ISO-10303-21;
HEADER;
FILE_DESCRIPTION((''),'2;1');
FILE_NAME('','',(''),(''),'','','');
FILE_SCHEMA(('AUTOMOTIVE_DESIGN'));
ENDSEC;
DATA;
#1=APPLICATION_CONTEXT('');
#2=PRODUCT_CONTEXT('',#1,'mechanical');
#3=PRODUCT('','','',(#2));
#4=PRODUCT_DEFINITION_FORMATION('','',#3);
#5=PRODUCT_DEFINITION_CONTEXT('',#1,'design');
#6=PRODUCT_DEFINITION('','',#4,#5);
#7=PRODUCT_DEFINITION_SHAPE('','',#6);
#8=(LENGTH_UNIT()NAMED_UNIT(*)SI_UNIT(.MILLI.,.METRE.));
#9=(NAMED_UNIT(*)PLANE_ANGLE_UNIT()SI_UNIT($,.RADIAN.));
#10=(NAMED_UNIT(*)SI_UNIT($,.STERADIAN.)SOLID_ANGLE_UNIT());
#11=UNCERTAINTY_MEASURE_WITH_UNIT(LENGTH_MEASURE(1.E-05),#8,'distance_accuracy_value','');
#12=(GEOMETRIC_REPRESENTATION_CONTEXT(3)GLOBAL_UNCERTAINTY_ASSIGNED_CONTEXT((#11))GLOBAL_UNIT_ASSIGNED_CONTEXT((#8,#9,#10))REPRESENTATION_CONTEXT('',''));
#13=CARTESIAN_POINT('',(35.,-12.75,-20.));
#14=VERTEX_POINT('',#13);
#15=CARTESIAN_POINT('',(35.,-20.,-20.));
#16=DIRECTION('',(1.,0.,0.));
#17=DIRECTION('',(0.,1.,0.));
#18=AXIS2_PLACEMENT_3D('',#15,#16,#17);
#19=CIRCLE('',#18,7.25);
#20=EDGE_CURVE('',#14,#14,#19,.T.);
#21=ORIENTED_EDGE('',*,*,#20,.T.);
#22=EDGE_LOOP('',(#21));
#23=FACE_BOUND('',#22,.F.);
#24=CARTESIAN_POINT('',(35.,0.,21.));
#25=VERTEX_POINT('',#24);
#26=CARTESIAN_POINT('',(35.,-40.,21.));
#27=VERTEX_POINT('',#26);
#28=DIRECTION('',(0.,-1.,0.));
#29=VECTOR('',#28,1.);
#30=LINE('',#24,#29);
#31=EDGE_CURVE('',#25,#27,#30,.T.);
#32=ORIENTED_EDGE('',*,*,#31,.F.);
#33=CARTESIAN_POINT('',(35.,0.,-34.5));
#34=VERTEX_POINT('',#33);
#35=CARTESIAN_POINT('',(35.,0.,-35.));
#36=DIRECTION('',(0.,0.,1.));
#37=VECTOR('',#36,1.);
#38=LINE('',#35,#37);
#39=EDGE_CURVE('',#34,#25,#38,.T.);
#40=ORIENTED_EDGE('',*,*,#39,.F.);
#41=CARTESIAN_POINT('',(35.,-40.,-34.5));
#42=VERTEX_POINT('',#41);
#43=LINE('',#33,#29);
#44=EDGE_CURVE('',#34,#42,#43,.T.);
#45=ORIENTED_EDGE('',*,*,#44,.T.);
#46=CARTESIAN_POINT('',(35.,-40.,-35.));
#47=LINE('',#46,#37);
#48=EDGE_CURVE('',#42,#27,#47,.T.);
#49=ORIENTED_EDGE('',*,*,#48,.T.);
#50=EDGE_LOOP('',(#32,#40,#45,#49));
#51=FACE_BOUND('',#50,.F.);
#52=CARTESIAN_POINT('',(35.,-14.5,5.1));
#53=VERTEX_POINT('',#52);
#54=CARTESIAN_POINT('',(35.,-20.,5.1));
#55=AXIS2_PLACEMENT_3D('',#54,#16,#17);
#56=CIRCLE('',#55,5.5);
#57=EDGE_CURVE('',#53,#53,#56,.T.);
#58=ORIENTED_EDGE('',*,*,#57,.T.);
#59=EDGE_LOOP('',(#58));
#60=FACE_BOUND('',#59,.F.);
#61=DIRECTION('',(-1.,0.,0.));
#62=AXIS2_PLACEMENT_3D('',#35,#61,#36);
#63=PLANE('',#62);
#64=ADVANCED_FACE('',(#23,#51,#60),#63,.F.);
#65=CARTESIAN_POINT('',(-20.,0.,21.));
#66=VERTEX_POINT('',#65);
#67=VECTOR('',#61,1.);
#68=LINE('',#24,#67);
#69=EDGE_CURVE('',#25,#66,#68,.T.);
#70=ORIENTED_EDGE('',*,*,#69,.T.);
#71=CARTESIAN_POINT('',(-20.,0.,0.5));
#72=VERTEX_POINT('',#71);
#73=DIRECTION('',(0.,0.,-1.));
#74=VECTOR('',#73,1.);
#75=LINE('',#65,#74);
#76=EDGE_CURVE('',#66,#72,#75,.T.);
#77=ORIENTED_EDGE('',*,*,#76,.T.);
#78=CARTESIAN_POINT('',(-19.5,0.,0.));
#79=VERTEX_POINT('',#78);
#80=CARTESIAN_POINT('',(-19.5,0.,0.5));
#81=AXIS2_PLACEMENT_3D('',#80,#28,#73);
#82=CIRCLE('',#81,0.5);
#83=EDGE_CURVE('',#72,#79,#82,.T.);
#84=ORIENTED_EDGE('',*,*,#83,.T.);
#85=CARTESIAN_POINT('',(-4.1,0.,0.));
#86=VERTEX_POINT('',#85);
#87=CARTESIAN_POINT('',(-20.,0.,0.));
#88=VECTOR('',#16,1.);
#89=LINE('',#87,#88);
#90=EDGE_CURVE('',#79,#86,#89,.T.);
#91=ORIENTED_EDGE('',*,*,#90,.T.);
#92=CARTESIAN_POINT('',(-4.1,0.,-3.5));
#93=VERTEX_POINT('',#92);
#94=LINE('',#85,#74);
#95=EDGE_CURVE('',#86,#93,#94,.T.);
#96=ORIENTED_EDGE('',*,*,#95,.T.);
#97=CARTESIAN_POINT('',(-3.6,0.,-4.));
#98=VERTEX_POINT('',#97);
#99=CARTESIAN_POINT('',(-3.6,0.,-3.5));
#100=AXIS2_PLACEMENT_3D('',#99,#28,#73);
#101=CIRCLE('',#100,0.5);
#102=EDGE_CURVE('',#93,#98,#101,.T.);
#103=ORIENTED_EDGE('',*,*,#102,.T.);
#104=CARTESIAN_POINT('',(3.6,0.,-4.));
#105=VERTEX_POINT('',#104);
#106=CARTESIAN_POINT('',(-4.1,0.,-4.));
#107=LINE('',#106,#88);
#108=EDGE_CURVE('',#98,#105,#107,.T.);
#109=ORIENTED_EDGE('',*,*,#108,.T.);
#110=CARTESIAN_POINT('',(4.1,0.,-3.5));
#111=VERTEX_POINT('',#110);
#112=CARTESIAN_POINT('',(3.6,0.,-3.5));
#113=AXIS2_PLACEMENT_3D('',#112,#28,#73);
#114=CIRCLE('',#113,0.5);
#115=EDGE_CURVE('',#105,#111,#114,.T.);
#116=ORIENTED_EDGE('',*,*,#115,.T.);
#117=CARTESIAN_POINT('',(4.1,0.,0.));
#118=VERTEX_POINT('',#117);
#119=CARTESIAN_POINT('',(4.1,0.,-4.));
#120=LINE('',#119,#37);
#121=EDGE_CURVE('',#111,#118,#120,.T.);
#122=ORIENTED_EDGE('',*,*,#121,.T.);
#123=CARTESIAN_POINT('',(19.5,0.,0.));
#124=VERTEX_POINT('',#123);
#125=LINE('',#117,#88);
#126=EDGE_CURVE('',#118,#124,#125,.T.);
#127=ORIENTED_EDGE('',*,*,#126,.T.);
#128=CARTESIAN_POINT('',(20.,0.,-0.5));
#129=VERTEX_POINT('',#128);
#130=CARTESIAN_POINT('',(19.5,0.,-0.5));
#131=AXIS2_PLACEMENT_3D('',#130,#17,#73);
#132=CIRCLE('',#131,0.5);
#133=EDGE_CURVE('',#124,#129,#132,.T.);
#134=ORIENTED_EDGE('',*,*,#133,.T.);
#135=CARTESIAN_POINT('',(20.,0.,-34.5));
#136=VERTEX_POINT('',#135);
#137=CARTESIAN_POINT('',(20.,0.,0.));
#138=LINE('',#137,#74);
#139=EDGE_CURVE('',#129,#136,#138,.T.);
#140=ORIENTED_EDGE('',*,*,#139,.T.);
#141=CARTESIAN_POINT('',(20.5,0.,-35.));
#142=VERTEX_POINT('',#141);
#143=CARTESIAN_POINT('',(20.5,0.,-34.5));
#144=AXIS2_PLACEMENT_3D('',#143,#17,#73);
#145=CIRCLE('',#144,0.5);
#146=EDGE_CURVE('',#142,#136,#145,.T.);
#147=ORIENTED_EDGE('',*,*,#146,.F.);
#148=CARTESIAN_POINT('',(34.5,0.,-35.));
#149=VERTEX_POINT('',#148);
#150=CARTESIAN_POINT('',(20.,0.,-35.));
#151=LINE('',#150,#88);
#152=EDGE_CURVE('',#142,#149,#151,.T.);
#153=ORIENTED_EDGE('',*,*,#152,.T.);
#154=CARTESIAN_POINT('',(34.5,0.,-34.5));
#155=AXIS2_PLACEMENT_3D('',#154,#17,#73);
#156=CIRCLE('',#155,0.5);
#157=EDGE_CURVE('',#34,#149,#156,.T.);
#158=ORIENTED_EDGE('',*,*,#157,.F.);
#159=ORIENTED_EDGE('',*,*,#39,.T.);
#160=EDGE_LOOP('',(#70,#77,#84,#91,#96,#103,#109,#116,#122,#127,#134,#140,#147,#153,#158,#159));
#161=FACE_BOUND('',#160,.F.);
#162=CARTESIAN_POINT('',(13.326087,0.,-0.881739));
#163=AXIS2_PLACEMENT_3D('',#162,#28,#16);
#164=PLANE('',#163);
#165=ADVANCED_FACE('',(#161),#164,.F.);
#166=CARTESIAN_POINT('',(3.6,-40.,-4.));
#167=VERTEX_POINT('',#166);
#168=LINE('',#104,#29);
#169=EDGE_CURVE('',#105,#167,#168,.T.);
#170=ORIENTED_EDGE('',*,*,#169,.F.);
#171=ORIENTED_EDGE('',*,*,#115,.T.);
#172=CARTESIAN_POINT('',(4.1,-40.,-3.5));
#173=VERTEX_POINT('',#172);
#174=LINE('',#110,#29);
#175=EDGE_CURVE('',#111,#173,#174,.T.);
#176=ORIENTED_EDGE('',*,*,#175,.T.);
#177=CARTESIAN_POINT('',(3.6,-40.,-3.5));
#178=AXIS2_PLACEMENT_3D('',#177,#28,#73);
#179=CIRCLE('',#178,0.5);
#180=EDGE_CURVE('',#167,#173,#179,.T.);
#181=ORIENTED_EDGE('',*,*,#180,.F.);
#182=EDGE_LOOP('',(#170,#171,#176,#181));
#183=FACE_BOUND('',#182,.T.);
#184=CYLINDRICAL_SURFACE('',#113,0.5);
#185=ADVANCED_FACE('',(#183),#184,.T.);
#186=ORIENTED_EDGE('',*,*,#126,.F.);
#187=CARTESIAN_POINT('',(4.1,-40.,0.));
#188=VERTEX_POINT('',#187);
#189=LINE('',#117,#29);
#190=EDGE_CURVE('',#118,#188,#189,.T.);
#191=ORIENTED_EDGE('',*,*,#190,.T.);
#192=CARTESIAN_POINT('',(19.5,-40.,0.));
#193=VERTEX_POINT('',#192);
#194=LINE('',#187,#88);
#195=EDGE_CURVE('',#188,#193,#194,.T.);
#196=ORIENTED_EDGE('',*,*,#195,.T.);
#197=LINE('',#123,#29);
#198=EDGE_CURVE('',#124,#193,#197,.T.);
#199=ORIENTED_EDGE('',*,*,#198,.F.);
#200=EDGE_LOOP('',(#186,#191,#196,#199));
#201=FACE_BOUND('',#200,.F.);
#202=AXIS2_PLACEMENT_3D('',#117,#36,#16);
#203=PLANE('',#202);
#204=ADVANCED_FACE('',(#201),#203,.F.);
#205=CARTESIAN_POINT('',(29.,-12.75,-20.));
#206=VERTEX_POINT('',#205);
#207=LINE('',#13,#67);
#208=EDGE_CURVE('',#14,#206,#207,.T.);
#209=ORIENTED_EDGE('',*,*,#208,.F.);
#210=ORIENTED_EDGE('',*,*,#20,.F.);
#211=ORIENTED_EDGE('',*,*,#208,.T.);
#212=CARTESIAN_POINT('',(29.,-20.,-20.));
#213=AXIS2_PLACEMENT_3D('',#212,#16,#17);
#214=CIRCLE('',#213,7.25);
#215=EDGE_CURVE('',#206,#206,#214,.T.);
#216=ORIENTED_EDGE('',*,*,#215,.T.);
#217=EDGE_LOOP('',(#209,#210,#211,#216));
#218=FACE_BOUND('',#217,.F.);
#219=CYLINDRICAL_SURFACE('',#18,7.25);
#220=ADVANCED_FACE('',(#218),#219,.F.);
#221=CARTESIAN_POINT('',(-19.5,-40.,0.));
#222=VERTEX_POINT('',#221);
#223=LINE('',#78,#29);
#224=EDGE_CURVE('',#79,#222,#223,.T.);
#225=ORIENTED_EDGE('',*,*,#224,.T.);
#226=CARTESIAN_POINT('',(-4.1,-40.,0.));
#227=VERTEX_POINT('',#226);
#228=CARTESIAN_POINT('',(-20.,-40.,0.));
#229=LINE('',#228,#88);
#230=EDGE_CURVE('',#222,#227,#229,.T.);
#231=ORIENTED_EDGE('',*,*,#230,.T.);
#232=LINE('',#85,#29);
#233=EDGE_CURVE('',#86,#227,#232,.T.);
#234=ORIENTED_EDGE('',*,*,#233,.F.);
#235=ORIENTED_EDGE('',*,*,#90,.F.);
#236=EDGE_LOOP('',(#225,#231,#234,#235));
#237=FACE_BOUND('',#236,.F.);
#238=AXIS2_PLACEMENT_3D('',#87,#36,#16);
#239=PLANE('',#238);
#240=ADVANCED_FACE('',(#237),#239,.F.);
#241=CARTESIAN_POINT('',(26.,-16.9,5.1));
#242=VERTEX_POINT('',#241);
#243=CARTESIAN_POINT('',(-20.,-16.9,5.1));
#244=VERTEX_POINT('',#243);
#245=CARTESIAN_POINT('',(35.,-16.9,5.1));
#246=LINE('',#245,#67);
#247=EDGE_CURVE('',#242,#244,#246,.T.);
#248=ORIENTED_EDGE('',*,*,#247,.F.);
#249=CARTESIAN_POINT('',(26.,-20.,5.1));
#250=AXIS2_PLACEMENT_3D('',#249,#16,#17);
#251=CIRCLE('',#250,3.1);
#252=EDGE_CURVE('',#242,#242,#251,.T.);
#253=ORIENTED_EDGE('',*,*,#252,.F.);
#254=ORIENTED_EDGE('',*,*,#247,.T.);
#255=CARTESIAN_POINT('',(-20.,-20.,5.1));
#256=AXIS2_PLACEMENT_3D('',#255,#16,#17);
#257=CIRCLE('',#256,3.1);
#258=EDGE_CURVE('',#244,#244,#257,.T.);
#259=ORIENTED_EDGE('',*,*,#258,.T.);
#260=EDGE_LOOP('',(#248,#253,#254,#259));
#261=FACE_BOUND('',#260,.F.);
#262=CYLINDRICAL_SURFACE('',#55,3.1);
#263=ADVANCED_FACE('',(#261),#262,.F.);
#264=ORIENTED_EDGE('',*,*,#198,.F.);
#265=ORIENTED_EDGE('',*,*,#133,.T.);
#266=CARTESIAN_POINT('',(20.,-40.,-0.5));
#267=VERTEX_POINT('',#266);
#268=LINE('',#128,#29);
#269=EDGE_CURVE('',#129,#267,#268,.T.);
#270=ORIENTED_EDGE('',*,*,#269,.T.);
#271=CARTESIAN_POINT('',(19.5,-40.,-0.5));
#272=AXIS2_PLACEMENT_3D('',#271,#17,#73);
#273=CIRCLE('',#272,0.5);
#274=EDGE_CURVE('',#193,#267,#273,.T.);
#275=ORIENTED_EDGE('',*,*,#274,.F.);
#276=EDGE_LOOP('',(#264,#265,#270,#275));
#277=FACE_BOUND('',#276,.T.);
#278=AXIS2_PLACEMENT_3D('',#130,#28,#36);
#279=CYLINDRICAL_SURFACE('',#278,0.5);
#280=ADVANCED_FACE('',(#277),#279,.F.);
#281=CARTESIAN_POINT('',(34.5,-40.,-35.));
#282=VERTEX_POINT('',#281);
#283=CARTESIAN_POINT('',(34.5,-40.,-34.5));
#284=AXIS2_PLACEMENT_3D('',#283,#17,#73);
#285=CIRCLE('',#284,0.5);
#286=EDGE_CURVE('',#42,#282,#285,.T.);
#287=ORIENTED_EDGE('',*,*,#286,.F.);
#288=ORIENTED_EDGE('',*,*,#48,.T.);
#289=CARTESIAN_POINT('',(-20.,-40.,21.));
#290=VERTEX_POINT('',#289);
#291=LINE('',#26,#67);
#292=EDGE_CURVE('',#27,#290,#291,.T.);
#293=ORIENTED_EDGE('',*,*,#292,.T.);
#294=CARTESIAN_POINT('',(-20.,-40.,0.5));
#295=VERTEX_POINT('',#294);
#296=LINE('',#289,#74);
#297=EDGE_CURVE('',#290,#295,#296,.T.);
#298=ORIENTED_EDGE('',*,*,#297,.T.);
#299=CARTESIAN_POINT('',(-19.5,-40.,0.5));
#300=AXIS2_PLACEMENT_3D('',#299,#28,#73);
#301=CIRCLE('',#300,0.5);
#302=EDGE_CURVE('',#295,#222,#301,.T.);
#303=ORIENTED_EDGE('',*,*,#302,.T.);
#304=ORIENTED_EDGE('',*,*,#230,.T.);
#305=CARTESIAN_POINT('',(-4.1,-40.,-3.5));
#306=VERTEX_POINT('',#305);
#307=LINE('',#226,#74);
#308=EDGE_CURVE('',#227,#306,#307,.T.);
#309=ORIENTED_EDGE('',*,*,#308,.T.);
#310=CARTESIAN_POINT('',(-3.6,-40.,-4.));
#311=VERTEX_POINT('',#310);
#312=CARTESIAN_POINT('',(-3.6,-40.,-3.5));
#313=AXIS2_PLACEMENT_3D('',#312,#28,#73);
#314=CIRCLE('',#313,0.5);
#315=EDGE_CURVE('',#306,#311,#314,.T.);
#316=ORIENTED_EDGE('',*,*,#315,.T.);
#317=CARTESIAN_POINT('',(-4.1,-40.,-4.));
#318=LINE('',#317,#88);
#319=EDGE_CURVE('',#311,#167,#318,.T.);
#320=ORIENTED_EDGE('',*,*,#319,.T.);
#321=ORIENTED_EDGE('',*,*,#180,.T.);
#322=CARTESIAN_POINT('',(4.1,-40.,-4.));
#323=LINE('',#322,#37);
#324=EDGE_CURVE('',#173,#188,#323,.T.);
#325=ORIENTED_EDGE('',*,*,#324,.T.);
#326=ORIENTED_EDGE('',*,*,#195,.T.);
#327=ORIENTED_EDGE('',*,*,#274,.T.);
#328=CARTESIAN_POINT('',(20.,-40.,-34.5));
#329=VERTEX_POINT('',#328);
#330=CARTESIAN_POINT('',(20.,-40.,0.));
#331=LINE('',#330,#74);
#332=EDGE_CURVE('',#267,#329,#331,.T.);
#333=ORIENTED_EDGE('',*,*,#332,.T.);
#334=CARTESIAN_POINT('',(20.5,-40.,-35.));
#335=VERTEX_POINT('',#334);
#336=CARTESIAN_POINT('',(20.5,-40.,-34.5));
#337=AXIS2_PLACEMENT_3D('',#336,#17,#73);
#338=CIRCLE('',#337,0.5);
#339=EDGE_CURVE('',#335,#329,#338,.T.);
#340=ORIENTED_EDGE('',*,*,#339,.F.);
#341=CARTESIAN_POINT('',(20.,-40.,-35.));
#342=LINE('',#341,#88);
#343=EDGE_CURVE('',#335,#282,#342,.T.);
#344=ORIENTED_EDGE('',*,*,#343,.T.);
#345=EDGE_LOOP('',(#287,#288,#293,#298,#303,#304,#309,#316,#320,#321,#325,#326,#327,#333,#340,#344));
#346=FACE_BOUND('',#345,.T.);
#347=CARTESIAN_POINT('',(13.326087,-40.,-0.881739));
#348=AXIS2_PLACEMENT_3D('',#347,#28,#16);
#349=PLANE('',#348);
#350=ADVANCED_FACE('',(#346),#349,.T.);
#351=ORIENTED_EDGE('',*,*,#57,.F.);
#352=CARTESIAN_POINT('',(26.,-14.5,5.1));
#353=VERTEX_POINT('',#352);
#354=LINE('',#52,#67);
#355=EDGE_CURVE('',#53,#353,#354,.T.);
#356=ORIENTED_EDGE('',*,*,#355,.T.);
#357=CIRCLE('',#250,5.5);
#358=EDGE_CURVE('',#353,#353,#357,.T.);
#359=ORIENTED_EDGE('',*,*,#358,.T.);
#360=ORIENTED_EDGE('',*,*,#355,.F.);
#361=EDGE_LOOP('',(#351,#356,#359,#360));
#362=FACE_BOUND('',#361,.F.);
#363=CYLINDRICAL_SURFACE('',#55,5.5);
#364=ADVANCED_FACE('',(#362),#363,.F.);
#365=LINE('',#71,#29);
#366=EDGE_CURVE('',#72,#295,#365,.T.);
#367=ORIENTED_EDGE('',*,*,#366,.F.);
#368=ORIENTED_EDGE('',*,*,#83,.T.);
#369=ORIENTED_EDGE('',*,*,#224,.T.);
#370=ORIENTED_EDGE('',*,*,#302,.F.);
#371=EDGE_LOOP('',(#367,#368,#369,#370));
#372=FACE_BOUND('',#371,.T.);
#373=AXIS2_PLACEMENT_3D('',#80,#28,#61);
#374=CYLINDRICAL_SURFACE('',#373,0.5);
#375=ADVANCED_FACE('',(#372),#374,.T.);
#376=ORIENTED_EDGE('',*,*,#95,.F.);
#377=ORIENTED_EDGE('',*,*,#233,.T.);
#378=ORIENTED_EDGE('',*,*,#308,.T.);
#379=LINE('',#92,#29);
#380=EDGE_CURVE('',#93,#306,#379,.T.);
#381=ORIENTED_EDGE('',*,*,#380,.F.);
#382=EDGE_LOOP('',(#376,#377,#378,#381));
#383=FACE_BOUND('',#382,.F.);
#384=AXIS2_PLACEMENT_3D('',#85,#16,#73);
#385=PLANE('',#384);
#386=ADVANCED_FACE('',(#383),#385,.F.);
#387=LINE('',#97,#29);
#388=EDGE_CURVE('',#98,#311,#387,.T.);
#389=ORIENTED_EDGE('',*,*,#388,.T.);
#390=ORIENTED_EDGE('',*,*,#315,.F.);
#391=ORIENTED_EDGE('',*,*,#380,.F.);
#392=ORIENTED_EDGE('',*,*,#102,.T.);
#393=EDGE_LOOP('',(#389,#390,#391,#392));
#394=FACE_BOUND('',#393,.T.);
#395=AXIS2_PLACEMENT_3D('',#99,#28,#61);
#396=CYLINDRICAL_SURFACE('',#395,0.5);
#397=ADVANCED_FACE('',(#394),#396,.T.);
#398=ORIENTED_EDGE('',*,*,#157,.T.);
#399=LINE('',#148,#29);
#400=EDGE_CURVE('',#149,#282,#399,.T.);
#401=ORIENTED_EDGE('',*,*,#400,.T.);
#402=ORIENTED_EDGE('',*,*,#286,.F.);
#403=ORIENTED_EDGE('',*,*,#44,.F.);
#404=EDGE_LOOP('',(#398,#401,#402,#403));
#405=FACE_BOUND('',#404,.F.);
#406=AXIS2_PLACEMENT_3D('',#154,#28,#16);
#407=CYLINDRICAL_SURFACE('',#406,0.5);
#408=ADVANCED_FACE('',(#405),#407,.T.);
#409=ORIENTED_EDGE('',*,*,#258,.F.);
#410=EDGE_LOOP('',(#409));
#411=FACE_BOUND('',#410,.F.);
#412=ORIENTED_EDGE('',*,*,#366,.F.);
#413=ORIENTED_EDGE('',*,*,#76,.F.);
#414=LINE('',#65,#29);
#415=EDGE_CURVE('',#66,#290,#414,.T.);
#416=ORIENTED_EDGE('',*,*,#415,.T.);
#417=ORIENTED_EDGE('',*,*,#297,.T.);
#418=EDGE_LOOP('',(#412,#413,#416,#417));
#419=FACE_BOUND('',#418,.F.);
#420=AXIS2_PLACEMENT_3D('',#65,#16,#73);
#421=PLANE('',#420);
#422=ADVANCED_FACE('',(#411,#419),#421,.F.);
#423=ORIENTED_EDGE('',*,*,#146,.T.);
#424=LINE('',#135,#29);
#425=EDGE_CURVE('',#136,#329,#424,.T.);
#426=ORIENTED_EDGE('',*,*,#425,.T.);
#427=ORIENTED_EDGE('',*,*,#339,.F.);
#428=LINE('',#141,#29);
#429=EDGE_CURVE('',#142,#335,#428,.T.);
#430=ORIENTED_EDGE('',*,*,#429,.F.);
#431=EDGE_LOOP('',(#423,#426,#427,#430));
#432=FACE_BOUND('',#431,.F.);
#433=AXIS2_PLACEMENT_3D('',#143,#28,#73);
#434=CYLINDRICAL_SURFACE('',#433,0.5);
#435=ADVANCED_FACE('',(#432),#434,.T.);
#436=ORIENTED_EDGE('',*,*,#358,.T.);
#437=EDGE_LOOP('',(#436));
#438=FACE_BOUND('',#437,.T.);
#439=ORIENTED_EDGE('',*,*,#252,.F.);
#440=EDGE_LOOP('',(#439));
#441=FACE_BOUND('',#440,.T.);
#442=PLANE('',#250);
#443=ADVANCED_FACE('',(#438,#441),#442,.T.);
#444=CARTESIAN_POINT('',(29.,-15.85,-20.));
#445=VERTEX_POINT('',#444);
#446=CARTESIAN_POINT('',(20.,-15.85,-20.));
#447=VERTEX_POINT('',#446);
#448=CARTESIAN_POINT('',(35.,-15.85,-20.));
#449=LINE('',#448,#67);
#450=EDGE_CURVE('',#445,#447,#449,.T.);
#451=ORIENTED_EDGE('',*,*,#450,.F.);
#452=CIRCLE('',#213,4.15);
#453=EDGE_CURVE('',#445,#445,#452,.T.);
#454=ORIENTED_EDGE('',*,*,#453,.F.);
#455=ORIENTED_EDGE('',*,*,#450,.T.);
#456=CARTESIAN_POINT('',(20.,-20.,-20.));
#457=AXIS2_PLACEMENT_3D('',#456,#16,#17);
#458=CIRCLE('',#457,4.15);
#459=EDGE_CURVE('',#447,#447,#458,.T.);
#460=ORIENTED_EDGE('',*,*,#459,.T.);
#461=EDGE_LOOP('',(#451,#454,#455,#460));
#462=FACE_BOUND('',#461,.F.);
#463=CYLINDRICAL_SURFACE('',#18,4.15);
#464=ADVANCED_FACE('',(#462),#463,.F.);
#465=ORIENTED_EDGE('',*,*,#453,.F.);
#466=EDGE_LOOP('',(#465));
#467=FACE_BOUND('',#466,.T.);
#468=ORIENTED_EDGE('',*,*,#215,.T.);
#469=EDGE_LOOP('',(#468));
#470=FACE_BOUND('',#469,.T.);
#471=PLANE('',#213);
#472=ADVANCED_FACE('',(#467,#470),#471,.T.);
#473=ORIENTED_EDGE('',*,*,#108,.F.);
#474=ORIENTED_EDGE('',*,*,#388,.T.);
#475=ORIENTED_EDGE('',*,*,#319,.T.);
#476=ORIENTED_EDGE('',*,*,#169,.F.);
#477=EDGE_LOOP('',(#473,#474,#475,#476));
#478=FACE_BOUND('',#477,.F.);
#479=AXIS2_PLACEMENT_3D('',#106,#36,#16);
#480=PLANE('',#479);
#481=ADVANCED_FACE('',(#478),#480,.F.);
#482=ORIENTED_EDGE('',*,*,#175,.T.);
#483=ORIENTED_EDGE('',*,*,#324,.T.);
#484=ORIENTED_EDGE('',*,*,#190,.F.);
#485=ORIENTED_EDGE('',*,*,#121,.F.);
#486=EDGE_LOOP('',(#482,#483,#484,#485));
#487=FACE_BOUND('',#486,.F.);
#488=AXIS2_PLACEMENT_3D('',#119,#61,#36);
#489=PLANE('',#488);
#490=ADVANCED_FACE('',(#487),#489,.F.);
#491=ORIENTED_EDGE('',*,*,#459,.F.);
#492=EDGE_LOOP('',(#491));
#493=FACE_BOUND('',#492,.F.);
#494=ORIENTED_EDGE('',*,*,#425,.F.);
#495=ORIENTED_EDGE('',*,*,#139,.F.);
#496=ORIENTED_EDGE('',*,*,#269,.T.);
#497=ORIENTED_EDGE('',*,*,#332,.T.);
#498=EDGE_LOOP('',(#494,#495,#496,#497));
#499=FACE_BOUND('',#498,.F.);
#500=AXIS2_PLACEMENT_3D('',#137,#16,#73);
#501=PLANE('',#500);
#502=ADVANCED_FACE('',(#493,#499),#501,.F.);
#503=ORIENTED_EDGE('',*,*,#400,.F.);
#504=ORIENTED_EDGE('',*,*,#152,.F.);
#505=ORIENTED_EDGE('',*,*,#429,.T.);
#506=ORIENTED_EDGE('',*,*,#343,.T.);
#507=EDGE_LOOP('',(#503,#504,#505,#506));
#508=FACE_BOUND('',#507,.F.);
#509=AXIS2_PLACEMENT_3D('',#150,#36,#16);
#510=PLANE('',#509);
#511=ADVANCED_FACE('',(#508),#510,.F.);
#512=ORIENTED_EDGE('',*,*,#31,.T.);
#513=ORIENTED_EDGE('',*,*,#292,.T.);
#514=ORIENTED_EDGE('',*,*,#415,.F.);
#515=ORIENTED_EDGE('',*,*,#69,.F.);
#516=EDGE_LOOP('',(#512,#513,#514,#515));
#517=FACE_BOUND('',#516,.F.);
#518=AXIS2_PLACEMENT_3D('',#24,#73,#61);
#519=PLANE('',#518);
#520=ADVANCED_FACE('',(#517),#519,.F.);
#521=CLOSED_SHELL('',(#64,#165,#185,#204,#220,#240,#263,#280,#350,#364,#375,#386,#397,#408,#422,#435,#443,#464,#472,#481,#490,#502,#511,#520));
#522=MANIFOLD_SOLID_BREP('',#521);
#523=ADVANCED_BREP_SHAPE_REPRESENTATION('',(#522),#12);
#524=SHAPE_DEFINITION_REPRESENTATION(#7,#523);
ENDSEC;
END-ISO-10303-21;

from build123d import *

# Parameters (mm, degrees)
F1_DEPTH = 40
F2_R     = 4.15
F2_R_2   = 3.1
F3_DEPTH = 55.001
F4_R     = 0.5
F2_R_3   = 7.25
F5_DEPTH = 6
F2_R_4   = 5.5
F6_DEPTH = 9


with BuildPart() as f1:
    # F0 (on Front) → F1 (new body)
    with BuildSketch(Plane.XZ):
        Polygon((35, 21), (-20, 21), (-20, 0), (-4.1, 0), (-4.1, -4), (4.1, -4), (4.1, 0), (20, 0), (20, -35), (35, -35), align=None)
    extrude(amount=F1_DEPTH)

    # F2 (on face) → F3 (cut, through all)
    with BuildSketch(Plane.YZ.offset(35)):
        with Locations((-20, -20)):
            Circle(F2_R)
        with Locations((-20, 5.1)):
            Circle(F2_R_2)
    extrude(amount=-F3_DEPTH, mode=Mode.SUBTRACT)

    # F4
    f4_edges = [f1.edges().sort_by_distance(p)[0] for p in [
        (-20, -20, 0),
        (-4.1, -20, -4),
        (4.1, -20, -4),
        (20, -20, 0),
        (20, -20, -35),
        (35, -20, -35),
    ]]
    fillet(f4_edges, radius=F4_R)

    # F2 (on face) → F5 (cut)
    with BuildSketch(Plane.YZ.offset(35)):
        with Locations((-20, -20)):
            Circle(F2_R_3)
        with Locations((-20, -20)):
            Circle(F2_R, mode=Mode.SUBTRACT)
    extrude(amount=-F5_DEPTH, mode=Mode.SUBTRACT)

    # F2 (on face) → F6 (cut)
    with BuildSketch(Plane.YZ.offset(35)):
        with Locations((-20, 5.1)):
            Circle(F2_R_4)
        with Locations((-20, 5.1)):
            Circle(F2_R_2, mode=Mode.SUBTRACT)
    extrude(amount=-F6_DEPTH, mode=Mode.SUBTRACT)


solid = f1.part
